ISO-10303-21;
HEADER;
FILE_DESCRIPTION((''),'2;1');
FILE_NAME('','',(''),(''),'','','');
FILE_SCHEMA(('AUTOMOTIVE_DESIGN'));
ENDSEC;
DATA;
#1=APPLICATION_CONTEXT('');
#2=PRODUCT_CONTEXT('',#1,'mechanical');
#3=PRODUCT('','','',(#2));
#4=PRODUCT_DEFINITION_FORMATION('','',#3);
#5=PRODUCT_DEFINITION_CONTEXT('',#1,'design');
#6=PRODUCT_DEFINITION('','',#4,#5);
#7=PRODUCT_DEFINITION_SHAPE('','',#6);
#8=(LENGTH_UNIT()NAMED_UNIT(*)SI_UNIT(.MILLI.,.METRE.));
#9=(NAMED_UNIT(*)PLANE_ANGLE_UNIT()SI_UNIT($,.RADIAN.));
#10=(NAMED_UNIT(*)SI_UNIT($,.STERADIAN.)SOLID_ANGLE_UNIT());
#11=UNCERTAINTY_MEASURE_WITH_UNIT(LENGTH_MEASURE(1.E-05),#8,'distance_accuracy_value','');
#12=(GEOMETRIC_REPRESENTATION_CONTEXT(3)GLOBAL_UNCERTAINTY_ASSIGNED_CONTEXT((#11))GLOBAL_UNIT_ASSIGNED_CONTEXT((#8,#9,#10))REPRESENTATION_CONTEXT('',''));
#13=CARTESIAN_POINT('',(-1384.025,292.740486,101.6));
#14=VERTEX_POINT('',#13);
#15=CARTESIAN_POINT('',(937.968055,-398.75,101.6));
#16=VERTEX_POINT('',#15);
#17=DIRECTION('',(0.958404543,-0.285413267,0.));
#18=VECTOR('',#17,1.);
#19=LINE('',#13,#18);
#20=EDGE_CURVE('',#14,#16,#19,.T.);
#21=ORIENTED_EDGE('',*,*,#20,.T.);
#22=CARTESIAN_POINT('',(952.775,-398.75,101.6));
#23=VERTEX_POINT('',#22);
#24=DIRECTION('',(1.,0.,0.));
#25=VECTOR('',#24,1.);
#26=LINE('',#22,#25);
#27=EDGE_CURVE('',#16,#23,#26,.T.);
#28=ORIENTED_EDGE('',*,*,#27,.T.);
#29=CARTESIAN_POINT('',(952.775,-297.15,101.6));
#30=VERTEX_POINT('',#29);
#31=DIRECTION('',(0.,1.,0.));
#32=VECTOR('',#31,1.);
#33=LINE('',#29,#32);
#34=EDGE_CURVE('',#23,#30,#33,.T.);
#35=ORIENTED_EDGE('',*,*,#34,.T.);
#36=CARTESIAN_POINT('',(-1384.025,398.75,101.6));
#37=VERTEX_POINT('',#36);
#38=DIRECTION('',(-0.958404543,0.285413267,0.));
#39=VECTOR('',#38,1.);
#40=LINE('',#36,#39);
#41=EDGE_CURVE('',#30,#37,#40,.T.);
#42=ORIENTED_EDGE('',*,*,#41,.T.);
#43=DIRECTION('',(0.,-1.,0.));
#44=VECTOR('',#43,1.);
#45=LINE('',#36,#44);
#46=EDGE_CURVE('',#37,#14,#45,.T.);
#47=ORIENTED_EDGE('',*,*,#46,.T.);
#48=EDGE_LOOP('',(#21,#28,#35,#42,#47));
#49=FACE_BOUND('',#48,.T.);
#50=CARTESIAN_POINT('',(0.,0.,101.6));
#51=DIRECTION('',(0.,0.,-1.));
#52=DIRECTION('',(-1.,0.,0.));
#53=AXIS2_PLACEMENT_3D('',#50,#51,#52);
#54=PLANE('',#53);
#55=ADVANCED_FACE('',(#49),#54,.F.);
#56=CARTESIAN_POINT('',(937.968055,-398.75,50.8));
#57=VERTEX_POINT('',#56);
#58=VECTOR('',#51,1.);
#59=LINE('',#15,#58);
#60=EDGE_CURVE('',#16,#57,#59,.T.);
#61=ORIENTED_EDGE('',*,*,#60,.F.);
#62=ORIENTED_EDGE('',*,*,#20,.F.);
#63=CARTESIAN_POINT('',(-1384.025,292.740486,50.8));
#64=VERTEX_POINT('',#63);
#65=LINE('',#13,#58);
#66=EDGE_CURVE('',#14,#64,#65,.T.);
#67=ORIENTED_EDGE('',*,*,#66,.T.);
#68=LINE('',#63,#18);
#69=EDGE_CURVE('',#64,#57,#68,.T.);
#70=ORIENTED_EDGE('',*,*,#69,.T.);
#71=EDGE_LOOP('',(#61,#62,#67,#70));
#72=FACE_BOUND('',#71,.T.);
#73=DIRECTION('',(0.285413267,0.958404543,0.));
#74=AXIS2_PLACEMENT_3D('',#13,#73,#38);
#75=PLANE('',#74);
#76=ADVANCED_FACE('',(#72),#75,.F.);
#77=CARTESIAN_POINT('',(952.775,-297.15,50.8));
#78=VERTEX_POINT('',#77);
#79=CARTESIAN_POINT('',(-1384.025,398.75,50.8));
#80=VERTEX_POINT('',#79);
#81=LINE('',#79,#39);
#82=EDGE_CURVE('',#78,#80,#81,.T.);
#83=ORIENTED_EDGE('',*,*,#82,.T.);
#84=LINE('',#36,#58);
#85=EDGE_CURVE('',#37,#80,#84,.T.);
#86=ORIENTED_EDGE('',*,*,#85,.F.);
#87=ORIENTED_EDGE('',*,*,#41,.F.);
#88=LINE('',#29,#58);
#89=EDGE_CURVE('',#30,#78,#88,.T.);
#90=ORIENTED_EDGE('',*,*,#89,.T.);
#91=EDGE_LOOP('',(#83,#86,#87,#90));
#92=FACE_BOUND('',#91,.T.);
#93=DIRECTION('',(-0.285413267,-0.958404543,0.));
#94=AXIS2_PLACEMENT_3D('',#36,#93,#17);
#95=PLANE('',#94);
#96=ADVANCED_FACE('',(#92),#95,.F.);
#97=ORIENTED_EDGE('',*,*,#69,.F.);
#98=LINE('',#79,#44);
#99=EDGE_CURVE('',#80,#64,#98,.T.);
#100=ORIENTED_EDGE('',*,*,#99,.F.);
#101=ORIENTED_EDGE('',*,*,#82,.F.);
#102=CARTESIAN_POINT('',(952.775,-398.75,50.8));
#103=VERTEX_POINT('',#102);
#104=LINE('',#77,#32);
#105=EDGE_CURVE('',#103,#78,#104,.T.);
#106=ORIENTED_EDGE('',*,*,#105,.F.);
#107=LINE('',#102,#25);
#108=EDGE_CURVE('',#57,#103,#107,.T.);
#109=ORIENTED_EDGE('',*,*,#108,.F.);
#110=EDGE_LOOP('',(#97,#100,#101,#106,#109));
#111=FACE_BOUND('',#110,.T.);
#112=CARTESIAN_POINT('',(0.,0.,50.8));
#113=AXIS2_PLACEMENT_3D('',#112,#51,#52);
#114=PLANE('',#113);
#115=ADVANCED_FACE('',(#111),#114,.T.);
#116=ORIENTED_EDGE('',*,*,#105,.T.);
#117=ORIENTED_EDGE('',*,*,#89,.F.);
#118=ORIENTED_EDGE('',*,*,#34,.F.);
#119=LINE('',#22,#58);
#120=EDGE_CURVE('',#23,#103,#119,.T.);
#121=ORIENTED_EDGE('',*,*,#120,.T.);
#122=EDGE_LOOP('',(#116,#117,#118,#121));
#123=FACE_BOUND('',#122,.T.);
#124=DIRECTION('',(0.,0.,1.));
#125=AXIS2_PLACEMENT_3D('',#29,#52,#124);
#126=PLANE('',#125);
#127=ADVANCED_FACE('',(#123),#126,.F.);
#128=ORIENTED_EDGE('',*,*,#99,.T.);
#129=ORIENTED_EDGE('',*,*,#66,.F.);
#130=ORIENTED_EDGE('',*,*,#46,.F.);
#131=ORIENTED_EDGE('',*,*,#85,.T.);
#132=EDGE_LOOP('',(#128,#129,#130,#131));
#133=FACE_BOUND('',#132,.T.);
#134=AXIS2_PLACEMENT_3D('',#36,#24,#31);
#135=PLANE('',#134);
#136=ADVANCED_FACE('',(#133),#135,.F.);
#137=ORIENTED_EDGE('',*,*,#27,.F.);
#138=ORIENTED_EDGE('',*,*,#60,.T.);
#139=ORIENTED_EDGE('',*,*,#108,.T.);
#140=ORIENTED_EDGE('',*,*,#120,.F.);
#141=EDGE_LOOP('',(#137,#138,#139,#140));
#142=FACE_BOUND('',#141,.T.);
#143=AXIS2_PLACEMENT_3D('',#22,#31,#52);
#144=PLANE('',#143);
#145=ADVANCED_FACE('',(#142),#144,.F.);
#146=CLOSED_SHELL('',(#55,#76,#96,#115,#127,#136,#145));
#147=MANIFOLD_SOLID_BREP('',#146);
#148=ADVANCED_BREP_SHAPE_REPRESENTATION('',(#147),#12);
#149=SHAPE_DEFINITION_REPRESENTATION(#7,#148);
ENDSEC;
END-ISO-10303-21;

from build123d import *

# Parameters (mm, degrees)
BOSS_EXTRUDE2_DEPTH = 50.8


with BuildPart() as part:
    # Sketch3 → Boss-Extrude2 (new body)
    with BuildSketch(Plane.XY.offset(50.8)):
        Polygon((-1384.025, 292.740485768), (937.968055241, -398.75), (952.775, -398.75), (952.775, -297.15), (-1384.025, 398.75), align=None)
    extrude(amount=BOSS_EXTRUDE2_DEPTH)


solid = part.part
